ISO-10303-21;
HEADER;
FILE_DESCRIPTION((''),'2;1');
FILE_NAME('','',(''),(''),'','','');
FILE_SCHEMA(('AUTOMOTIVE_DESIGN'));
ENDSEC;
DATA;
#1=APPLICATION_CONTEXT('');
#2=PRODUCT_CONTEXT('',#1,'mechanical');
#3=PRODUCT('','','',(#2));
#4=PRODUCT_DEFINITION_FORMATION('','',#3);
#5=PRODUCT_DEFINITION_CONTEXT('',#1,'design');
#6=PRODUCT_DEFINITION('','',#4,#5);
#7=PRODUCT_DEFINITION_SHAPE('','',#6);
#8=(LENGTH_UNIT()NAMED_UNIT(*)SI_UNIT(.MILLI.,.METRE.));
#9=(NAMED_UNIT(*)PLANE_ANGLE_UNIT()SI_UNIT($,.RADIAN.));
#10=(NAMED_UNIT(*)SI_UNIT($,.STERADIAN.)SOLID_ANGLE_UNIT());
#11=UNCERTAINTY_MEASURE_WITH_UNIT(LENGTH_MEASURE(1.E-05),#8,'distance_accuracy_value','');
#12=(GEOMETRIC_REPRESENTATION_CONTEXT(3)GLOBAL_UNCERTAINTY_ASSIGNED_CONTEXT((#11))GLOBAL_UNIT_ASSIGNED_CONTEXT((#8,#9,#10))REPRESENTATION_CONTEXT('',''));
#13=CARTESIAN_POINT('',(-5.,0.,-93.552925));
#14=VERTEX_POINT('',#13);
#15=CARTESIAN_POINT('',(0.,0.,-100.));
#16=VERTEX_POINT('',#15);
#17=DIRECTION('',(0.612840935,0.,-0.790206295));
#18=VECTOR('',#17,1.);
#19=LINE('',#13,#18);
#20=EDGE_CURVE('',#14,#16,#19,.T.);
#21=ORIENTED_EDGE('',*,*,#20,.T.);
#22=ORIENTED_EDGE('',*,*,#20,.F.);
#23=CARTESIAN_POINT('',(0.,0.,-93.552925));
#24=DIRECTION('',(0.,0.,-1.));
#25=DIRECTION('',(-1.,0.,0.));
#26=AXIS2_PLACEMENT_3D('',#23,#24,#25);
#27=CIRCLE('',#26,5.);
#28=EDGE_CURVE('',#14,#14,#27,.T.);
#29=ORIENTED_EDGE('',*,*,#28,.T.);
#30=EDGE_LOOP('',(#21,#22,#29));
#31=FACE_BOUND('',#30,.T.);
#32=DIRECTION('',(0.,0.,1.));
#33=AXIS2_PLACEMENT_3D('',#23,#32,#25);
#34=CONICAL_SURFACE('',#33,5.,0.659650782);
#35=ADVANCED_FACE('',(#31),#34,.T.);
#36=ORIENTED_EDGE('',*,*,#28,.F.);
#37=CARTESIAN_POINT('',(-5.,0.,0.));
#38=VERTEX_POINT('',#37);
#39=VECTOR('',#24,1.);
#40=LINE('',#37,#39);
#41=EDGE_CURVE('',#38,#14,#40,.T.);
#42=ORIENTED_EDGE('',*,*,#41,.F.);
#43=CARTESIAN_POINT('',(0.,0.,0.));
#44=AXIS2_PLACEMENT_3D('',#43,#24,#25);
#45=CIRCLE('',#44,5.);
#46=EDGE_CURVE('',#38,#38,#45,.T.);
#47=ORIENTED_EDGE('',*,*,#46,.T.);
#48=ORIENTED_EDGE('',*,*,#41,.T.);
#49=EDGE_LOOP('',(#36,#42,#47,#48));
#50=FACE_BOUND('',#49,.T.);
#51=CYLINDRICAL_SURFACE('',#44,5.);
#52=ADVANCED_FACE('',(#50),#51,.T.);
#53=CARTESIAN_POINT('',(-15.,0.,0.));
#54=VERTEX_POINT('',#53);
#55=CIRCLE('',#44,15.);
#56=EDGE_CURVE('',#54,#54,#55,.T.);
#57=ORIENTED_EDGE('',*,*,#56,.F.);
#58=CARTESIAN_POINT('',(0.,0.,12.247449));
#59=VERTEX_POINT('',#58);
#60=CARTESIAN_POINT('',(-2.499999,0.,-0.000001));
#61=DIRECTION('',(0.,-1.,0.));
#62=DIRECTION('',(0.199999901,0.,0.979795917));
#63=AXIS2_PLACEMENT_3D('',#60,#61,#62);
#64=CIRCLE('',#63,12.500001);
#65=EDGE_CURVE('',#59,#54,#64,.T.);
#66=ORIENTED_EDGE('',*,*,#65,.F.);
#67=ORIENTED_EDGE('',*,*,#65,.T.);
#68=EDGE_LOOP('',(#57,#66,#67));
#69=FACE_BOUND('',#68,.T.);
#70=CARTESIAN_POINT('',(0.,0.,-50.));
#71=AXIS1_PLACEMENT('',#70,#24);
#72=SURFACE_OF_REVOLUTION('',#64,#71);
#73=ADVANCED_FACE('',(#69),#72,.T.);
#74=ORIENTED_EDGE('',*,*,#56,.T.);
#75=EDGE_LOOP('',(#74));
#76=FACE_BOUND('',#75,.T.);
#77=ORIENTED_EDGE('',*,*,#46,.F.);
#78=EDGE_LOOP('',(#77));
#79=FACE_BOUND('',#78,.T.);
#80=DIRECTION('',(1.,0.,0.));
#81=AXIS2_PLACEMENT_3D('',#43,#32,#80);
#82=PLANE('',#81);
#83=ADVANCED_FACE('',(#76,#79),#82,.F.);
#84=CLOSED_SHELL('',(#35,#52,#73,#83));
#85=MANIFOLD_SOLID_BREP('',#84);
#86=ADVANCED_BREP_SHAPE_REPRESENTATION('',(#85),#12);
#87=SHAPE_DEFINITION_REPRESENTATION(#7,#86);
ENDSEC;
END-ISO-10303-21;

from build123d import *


with BuildPart() as f1:
    # F0 (on Front) → F1 (revolve)
    with BuildSketch(Plane.XZ):
        with BuildLine():
            Line((-5, 0), (0, 0))
            Line((0, 0), (0, 12.247449))
            ThreePointArc((0, 12.247449), (-10.405694, 9.682458), (-15, 0))
            Line((-15, 0), (-5, 0))
        make_face()
        Polygon((0, -100), (0, 0), (-5, 0), (-5, -93.552925), align=None)
    revolve(axis=Axis((0, 0, -50), (0, 0, -1)))


solid = f1.part
